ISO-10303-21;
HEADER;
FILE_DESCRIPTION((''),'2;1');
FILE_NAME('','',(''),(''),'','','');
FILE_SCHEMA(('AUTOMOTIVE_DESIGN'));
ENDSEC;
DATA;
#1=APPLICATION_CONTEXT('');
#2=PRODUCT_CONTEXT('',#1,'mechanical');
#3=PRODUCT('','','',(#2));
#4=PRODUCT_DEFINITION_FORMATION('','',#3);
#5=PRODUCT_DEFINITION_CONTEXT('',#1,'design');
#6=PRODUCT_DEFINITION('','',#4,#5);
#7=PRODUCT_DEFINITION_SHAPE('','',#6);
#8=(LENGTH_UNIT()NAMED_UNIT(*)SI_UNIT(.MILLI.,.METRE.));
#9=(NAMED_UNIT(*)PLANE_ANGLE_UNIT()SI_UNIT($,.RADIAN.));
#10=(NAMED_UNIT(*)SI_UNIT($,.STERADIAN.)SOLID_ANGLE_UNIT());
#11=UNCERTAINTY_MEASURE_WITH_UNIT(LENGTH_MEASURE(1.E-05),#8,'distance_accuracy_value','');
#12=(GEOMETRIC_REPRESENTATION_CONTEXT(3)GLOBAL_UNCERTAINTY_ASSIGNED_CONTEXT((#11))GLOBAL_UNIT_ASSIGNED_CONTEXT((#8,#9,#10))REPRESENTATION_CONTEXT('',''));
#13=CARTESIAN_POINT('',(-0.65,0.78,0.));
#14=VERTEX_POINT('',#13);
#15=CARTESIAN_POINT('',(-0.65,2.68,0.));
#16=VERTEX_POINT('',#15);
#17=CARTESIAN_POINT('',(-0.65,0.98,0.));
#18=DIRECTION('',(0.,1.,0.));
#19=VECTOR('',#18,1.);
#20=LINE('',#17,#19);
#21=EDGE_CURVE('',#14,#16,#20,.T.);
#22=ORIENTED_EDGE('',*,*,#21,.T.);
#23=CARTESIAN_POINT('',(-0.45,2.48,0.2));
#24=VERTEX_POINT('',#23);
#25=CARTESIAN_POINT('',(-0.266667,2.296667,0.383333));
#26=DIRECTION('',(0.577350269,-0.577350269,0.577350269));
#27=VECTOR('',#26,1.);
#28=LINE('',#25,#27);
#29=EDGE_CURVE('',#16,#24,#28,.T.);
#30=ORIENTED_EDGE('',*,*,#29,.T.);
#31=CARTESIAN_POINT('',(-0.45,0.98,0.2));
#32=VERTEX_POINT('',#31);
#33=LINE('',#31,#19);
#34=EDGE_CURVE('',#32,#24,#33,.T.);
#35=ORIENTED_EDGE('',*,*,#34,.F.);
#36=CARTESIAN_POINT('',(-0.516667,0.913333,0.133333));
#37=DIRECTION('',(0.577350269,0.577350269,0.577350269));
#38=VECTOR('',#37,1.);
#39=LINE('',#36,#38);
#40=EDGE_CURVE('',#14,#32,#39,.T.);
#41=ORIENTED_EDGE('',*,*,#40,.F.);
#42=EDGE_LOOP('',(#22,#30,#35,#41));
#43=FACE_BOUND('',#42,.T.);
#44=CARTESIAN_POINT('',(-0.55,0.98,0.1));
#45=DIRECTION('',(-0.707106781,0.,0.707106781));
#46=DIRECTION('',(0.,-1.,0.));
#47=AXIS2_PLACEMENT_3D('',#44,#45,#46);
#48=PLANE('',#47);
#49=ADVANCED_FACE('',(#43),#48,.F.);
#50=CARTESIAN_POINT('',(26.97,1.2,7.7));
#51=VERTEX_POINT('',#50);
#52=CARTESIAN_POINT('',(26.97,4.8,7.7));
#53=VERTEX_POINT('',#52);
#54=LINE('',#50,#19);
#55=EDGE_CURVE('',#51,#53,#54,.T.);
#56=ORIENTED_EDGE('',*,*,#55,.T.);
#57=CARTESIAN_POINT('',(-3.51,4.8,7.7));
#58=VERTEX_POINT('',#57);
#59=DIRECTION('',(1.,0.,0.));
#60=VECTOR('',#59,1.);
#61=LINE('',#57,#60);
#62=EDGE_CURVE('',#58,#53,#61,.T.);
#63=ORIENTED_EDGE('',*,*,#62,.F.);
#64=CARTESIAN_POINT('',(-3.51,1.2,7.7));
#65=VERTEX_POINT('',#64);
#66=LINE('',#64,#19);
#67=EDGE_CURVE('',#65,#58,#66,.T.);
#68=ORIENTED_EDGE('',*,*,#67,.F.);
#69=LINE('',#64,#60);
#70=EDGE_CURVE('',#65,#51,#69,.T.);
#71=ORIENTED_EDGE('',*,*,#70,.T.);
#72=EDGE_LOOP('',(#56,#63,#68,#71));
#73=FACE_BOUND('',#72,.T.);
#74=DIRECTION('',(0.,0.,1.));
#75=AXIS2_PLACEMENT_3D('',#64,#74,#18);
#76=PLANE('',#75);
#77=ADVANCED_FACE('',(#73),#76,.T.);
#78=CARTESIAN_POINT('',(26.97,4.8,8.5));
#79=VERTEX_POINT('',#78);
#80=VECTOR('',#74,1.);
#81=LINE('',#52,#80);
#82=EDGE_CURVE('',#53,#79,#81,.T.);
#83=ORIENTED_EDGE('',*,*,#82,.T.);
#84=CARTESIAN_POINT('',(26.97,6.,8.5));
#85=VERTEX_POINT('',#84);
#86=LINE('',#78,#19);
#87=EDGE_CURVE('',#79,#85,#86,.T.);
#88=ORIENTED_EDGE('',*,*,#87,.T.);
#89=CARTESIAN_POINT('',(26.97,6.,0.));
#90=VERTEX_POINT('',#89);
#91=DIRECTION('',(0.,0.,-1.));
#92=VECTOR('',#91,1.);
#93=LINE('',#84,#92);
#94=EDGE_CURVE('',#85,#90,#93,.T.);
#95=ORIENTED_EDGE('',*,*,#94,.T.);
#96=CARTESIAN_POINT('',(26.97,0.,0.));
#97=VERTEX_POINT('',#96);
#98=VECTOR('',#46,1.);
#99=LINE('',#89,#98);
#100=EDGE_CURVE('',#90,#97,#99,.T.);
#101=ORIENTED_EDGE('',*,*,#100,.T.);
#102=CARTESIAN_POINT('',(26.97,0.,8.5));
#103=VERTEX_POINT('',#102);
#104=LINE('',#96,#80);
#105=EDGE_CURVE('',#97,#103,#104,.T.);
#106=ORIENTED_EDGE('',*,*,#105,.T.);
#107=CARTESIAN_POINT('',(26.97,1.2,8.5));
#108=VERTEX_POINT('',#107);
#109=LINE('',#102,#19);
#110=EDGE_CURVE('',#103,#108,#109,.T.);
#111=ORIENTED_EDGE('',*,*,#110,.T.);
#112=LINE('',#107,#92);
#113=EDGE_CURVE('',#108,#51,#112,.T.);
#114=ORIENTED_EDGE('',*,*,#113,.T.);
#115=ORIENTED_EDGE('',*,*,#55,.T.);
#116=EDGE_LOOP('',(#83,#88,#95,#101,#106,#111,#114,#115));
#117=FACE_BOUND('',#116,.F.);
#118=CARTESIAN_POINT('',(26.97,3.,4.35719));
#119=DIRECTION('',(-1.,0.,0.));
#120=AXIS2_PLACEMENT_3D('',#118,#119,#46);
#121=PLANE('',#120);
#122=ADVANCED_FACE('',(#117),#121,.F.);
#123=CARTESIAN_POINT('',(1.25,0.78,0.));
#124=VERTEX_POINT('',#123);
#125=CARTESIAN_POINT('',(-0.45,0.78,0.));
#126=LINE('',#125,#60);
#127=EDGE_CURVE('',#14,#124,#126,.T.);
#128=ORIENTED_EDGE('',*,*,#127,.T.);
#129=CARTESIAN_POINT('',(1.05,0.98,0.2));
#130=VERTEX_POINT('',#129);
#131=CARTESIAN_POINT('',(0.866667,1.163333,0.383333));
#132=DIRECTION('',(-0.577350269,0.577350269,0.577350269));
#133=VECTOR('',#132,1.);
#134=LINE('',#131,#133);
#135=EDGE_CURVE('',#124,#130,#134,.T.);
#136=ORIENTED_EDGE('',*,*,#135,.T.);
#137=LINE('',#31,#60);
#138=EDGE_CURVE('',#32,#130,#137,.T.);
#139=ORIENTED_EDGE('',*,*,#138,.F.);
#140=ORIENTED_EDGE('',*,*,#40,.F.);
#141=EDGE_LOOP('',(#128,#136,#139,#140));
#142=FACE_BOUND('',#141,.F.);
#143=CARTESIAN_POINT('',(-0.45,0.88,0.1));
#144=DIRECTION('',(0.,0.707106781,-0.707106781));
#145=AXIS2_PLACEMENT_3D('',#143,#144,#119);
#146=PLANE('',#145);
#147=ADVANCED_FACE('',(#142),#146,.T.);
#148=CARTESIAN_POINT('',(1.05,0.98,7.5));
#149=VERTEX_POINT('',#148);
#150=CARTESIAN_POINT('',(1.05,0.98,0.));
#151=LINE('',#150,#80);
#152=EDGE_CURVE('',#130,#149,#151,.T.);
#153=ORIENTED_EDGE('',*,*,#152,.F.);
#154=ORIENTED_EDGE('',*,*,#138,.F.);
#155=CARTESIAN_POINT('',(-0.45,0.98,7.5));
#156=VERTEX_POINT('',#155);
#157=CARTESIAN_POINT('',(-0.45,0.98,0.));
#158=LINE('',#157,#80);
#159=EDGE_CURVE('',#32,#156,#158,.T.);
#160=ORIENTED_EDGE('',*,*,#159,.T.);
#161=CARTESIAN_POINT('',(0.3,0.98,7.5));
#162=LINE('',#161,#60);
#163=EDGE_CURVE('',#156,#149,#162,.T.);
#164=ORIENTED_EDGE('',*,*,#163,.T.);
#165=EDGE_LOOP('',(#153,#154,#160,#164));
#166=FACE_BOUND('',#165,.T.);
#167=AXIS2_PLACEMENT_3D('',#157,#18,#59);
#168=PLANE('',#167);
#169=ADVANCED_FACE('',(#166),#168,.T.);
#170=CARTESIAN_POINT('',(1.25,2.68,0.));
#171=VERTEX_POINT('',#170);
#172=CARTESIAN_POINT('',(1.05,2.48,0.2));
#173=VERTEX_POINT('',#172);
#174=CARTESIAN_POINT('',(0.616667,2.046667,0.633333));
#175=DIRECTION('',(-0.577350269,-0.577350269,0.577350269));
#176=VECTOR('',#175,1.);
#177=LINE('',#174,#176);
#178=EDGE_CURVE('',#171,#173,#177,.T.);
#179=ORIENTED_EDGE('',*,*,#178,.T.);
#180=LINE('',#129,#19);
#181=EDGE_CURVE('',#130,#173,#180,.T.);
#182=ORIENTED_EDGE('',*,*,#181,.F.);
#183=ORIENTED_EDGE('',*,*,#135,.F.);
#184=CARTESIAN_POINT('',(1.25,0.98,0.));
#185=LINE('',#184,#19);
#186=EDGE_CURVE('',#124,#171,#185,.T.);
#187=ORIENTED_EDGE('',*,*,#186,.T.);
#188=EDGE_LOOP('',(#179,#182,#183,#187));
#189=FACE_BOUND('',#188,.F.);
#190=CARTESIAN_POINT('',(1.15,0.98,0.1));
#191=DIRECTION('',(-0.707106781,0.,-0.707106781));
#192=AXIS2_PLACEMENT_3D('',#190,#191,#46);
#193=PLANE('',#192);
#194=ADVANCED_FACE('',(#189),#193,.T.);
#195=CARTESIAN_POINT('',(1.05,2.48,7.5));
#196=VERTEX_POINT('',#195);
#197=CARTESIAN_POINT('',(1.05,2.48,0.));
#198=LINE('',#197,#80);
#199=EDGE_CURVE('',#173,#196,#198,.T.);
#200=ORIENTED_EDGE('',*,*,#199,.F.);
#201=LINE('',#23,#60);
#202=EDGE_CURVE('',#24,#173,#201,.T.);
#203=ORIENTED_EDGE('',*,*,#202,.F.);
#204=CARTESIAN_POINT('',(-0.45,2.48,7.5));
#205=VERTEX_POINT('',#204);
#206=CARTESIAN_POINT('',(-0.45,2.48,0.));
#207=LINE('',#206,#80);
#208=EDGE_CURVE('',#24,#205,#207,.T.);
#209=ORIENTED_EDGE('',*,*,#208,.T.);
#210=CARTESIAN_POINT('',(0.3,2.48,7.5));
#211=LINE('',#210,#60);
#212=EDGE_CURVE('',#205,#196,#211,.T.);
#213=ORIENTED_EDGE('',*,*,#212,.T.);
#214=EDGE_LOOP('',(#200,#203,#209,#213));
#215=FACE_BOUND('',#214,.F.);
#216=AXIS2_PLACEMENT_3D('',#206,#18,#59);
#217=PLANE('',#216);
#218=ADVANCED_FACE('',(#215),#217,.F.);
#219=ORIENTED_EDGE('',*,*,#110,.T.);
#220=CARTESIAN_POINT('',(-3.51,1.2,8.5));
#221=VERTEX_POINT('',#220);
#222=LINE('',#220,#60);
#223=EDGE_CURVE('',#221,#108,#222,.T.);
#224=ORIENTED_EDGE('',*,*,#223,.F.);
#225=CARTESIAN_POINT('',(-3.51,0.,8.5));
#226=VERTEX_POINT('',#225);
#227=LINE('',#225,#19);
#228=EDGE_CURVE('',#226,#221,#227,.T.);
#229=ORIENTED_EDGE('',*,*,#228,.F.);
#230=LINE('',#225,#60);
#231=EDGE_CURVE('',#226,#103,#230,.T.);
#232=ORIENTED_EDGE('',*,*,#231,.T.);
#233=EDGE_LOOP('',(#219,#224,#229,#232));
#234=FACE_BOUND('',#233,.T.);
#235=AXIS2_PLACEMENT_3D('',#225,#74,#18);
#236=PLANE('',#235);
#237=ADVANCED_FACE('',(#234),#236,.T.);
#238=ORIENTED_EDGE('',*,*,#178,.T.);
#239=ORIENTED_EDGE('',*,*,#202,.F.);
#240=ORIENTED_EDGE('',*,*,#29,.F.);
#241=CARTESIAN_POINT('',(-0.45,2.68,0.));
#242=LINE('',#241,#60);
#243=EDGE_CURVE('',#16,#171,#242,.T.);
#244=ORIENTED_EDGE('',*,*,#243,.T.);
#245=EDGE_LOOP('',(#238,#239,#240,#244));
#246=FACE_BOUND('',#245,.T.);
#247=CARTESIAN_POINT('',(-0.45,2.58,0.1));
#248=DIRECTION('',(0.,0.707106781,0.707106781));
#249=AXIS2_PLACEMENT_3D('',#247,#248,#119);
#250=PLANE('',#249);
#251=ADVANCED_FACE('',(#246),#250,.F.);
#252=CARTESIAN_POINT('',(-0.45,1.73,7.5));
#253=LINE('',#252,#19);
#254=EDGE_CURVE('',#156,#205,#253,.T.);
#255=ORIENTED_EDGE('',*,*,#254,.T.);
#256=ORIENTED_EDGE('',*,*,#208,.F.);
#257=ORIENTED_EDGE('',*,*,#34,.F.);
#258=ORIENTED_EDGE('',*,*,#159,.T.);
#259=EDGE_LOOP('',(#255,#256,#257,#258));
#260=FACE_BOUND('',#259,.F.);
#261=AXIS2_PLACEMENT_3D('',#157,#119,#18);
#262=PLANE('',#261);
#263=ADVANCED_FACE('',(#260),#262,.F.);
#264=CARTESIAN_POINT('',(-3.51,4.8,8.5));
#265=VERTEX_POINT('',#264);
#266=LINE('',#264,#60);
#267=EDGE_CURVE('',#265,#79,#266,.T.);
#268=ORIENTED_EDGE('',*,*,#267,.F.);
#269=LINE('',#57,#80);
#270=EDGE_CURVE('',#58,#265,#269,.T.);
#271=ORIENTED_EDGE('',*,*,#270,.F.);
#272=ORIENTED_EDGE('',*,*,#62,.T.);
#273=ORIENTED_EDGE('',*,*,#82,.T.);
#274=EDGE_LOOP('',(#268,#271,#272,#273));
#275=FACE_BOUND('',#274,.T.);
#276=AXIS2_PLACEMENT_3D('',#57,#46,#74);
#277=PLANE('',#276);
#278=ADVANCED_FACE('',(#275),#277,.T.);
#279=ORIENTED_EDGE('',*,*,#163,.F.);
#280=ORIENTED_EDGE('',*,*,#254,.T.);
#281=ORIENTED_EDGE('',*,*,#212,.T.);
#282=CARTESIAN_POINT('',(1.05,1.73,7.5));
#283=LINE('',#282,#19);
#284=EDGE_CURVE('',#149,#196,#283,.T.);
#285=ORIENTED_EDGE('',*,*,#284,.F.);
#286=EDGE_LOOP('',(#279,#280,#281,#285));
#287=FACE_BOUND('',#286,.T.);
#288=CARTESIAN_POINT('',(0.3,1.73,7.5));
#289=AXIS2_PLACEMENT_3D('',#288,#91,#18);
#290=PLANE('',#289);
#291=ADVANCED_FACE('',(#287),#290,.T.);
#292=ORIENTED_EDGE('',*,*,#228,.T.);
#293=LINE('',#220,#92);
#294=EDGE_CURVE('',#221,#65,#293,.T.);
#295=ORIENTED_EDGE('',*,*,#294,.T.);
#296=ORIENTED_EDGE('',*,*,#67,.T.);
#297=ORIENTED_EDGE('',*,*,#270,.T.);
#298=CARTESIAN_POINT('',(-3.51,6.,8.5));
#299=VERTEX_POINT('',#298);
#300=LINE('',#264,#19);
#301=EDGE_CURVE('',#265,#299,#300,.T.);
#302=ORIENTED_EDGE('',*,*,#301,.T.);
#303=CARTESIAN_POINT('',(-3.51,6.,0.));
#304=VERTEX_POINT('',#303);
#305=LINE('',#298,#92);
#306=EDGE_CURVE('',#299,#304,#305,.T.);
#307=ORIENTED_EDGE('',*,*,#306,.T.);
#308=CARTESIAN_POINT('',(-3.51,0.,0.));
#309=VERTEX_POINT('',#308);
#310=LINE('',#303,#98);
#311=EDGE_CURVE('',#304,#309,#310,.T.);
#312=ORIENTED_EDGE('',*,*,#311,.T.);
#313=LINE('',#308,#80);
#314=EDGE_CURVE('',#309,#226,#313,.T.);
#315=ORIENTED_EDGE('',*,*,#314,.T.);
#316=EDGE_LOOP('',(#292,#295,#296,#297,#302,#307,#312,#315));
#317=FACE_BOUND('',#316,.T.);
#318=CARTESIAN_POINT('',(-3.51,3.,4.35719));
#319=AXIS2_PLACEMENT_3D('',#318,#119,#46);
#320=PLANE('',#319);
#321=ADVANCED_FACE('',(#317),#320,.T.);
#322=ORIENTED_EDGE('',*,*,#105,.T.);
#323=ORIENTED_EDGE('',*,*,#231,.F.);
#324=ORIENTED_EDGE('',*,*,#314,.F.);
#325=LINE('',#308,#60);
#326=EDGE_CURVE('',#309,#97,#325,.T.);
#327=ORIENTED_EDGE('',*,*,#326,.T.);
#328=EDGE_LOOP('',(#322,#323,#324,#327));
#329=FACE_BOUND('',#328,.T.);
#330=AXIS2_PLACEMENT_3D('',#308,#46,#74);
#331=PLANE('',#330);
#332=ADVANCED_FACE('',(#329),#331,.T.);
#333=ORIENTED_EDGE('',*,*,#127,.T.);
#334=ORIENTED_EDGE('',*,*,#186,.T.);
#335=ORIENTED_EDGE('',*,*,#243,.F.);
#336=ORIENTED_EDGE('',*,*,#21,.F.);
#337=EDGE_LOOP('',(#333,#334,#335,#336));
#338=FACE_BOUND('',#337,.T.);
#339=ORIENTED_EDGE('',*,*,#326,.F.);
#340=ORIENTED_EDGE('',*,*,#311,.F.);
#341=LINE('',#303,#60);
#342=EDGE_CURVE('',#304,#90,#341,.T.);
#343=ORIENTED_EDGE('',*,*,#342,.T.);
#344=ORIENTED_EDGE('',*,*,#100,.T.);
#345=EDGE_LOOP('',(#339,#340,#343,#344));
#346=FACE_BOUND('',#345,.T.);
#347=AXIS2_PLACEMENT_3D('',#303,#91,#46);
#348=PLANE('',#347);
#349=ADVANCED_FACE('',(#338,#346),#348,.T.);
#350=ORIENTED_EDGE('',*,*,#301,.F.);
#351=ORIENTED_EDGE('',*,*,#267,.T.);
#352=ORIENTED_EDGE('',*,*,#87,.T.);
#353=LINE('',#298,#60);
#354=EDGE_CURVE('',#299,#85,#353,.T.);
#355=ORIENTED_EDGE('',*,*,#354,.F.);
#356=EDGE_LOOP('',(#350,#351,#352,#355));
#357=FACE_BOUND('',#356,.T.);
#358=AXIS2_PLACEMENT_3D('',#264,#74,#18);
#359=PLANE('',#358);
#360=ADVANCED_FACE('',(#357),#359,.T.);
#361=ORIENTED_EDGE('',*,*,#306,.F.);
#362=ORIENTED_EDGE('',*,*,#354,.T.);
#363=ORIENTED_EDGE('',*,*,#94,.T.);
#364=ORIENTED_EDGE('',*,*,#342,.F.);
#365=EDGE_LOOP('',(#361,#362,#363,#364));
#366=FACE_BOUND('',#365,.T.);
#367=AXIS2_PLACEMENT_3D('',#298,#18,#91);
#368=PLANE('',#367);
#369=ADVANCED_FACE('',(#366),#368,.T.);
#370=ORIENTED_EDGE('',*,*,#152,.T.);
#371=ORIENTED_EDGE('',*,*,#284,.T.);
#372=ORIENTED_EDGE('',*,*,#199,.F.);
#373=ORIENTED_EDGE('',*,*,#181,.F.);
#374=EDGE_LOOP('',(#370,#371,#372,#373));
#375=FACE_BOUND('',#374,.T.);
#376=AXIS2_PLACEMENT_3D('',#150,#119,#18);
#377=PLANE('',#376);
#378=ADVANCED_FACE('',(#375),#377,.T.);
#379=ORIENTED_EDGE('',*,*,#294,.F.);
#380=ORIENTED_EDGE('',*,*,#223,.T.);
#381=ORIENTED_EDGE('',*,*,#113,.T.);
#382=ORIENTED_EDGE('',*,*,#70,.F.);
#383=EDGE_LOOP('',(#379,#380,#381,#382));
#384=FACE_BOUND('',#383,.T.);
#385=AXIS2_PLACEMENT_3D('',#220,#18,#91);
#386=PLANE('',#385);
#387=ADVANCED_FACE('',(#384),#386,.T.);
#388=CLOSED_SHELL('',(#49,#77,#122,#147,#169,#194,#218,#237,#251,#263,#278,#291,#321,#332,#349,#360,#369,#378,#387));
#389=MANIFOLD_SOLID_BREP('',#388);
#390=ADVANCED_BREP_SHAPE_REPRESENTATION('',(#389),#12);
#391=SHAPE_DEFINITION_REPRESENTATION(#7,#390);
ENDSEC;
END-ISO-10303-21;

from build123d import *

# Parameters (mm, degrees)
PAD001_DEPTH    = 30.48
SKETCH003_W     = 1.5
SKETCH003_H     = 1.5
POCKET_DEPTH    = 7.5
CHAMFER008_SIZE = 0.2


with BuildPart() as part:
    # Sketch001 → Pad001 (new body)
    with BuildSketch(Plane.YZ.offset(-3.51)):
        Polygon((0, 8.5), (1.2, 8.5), (1.2, 7.7), (4.8, 7.7), (4.8, 8.5), (6, 8.5), (6, 0), (0, 0), align=None)
    extrude(amount=PAD001_DEPTH)

    # Sketch003 → Pocket (cut)
    with BuildSketch(Plane(origin=(-3.51, 0, 0), x_dir=(0, 1, 0), z_dir=(0, 0, -1))):
        with Locations((1.73, 3.81)):
            Rectangle(SKETCH003_W, SKETCH003_H)
    extrude(amount=-POCKET_DEPTH, mode=Mode.SUBTRACT)

    # Chamfer008
    chamfer008_edges = [part.edges().sort_by_distance(p)[0] for p in [
        (-0.45, 1.73, 0),
        (0.3, 2.48, 0),
        (1.05, 1.73, 0),
        (0.3, 0.98, 0),
    ]]
    chamfer(chamfer008_edges, length=CHAMFER008_SIZE)


solid = part.part
